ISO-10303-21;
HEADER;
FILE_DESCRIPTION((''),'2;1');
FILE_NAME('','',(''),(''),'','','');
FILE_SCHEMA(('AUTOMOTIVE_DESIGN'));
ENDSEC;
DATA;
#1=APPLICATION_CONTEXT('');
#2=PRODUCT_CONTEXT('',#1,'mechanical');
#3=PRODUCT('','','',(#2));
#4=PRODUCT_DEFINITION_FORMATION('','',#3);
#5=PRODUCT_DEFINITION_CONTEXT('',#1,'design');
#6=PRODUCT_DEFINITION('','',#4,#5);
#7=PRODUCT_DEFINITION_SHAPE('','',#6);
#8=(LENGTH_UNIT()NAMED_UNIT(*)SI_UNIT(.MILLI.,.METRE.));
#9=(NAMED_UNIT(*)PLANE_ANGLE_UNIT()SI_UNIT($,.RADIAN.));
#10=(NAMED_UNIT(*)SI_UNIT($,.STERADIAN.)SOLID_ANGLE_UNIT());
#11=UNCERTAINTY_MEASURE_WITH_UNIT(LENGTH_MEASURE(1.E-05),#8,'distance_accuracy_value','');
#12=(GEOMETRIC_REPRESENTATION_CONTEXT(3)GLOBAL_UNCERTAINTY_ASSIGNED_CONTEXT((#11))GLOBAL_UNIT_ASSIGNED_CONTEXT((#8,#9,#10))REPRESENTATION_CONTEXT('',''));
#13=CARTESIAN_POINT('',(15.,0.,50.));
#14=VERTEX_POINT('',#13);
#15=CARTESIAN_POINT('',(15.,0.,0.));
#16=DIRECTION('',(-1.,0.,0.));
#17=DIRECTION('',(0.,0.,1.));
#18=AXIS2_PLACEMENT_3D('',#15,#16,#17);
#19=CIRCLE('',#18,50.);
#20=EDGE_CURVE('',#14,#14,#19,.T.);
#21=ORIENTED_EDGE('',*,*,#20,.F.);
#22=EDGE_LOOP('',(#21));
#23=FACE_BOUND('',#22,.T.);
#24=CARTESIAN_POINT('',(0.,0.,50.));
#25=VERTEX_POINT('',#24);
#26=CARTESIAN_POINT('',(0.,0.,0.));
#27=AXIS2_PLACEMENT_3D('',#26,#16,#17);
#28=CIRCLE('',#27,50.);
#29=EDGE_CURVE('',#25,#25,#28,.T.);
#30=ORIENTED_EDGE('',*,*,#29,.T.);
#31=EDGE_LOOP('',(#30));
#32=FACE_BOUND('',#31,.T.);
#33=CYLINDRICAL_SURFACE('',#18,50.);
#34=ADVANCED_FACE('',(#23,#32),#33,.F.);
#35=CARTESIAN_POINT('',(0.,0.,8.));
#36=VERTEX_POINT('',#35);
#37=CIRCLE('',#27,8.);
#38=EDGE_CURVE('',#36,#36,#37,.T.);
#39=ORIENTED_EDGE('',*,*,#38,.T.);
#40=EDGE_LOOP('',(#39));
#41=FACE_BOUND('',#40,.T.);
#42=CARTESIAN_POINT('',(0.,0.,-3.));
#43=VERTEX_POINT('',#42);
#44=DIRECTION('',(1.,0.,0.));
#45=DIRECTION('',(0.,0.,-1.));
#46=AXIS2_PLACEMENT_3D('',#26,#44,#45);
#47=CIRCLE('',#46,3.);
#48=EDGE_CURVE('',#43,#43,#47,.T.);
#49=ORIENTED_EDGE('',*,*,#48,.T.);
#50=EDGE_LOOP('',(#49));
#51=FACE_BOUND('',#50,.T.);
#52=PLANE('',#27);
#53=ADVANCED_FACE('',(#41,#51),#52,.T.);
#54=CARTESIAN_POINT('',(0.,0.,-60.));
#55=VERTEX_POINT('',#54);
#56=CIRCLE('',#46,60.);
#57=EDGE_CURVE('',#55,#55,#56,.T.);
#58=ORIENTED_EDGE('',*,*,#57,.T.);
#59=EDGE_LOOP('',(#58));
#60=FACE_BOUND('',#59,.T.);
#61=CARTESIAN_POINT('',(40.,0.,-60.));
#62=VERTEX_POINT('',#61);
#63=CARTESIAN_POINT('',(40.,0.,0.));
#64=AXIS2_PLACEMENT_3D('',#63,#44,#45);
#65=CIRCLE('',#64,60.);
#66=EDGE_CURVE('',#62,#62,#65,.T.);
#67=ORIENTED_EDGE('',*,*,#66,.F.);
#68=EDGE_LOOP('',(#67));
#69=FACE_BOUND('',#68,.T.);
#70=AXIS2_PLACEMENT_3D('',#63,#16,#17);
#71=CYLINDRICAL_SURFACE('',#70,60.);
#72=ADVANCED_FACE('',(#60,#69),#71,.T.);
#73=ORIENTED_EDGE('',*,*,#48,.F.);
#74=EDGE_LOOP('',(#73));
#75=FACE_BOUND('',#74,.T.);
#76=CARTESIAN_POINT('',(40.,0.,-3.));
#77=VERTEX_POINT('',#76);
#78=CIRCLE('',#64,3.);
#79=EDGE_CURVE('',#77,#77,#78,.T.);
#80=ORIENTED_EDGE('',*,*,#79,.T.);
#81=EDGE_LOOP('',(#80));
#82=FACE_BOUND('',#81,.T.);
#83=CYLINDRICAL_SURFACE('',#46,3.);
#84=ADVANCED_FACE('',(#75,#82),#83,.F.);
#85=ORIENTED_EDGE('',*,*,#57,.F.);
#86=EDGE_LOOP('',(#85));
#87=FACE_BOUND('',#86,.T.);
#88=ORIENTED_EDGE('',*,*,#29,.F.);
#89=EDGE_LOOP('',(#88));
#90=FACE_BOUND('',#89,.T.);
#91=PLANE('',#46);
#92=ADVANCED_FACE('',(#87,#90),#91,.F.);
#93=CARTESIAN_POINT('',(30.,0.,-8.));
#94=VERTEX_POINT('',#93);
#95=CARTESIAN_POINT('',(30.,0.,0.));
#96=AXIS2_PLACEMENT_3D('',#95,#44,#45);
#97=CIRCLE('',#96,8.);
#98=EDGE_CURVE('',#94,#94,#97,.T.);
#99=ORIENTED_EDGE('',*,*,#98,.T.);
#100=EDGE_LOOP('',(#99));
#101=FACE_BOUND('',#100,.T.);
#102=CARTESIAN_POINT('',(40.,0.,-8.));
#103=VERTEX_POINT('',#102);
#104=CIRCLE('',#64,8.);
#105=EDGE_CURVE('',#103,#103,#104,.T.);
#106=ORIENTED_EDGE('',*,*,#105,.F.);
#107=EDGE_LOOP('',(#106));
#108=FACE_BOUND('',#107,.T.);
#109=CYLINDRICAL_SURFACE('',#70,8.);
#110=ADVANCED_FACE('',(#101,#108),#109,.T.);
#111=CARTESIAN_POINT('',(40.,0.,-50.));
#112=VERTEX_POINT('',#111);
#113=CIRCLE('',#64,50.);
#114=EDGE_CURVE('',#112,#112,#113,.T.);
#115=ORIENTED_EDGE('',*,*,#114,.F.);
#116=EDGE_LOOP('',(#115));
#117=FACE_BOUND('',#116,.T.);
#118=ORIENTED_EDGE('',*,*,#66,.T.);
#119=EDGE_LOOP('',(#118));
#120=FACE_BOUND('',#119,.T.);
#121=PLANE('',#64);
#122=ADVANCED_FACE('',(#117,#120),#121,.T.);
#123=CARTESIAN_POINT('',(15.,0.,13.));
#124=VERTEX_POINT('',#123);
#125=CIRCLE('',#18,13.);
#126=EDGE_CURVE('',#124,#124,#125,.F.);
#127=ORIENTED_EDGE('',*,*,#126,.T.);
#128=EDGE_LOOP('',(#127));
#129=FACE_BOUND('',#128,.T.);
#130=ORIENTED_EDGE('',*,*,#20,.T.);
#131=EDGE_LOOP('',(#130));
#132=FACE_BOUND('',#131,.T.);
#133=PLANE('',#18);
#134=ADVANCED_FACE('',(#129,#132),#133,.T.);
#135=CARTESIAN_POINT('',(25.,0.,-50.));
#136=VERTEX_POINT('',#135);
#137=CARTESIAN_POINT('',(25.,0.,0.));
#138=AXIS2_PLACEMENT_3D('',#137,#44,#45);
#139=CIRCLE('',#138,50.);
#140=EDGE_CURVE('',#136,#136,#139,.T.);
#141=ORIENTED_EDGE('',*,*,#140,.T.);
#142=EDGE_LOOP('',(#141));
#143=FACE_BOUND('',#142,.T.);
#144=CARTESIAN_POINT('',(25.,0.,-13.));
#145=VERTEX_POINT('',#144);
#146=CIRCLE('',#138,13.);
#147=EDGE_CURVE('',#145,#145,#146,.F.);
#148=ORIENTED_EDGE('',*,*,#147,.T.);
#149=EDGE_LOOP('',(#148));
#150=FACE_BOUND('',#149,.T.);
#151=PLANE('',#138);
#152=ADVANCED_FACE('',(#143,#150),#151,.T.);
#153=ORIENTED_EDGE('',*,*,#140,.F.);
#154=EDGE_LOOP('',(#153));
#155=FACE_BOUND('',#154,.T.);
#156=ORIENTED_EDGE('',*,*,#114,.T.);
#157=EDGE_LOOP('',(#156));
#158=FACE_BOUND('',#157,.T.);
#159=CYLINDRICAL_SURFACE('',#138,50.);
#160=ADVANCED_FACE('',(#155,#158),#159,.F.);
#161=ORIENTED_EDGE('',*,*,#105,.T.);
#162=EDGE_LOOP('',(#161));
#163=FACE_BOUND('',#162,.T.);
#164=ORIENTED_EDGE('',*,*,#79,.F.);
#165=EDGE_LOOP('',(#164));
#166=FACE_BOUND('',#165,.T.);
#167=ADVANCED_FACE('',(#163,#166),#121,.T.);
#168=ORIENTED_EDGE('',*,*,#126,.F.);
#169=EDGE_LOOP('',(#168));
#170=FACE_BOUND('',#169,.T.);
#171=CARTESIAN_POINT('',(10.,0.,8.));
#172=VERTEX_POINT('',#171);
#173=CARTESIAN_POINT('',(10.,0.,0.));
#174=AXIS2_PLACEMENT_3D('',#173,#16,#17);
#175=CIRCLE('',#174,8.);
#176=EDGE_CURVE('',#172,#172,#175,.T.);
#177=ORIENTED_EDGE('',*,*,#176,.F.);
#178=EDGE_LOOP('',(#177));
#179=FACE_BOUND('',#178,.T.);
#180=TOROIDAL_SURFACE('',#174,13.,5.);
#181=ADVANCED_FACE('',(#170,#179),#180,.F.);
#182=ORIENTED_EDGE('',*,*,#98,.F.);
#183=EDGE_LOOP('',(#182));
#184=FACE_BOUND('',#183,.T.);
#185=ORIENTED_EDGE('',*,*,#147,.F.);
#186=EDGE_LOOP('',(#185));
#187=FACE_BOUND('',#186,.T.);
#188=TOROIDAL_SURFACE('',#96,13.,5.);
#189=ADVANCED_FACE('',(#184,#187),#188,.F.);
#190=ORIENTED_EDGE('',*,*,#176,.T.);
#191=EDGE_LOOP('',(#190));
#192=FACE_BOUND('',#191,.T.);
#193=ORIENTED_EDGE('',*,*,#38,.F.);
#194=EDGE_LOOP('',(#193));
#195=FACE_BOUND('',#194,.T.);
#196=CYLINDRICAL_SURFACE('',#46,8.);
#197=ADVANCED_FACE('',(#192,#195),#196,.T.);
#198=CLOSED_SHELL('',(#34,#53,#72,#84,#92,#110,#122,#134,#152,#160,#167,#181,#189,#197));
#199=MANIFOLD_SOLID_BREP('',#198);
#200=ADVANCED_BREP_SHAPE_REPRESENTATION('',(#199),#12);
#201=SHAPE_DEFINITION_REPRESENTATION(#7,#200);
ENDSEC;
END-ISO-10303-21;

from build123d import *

# Parameters (mm, degrees)
SKETCH2_R           = 60
BOSS_EXTRUDE1_DEPTH = 40
SKETCH3_R           = 50
CUT_EXTRUDE1_DEPTH  = 15
CUT_EXTRUDE2_START  = -15
SKETCH4_R           = 50
CUT_EXTRUDE2_DEPTH  = 15
SKETCH5_R           = 8
BOSS_EXTRUDE2_DEPTH = 15
BOSS_EXTRUDE3_START = 15
SKETCH6_R           = 8
BOSS_EXTRUDE3_DEPTH = 15
SKETCH7_R           = 3
CUT_EXTRUDE3_DEPTH  = 40
FILLET2_R           = 5


with BuildPart() as part:
    # Sketch2 → Boss-Extrude1 (new body)
    with BuildSketch(Plane(origin=(0, 0, 0), x_dir=(0, 0, -1), z_dir=(1, 0, 0))):
        Circle(SKETCH2_R)
    extrude(amount=BOSS_EXTRUDE1_DEPTH)

    # Sketch3 → Cut-Extrude1 (cut)
    with BuildSketch(Plane(origin=(40, 0, 0), x_dir=(0, 0, -1), z_dir=(1, 0, 0))):
        Circle(SKETCH3_R)
    extrude(amount=-CUT_EXTRUDE1_DEPTH, mode=Mode.SUBTRACT)

    # Sketch4 → Cut-Extrude2 (cut)
    with BuildSketch(Plane.ZY.offset(CUT_EXTRUDE2_START)):
        with Locations(Location((0, 0, 0), (0, 0, 180))):
            Circle(SKETCH4_R)
    extrude(amount=CUT_EXTRUDE2_DEPTH, mode=Mode.SUBTRACT)

    # Sketch5 → Boss-Extrude2 (add)
    with BuildSketch(Plane.ZY.offset(-15)):
        Circle(SKETCH5_R)
    extrude(amount=BOSS_EXTRUDE2_DEPTH)

    # Sketch6 → Boss-Extrude3 (add)
    with BuildSketch(Plane(origin=(25, 0, 0), x_dir=(0, 0, -1), z_dir=(1, 0, 0)).offset(BOSS_EXTRUDE3_START)):
        with Locations(Location((0, 0, 0), (0, 0, 180))):
            Circle(SKETCH6_R)
    extrude(amount=-BOSS_EXTRUDE3_DEPTH)

    # Sketch7 → Cut-Extrude3 (cut)
    with BuildSketch(Plane(origin=(40, 0, 0), x_dir=(0, 0, -1), z_dir=(1, 0, 0))):
        Circle(SKETCH7_R)
    extrude(amount=-CUT_EXTRUDE3_DEPTH, mode=Mode.SUBTRACT)

    # Fillet2
    fillet2_edges = [part.edges().sort_by_distance(p)[0] for p in [
        (15, 0, -8),
        (25, 0, -8),
    ]]
    fillet(fillet2_edges, radius=FILLET2_R)


solid = part.part
